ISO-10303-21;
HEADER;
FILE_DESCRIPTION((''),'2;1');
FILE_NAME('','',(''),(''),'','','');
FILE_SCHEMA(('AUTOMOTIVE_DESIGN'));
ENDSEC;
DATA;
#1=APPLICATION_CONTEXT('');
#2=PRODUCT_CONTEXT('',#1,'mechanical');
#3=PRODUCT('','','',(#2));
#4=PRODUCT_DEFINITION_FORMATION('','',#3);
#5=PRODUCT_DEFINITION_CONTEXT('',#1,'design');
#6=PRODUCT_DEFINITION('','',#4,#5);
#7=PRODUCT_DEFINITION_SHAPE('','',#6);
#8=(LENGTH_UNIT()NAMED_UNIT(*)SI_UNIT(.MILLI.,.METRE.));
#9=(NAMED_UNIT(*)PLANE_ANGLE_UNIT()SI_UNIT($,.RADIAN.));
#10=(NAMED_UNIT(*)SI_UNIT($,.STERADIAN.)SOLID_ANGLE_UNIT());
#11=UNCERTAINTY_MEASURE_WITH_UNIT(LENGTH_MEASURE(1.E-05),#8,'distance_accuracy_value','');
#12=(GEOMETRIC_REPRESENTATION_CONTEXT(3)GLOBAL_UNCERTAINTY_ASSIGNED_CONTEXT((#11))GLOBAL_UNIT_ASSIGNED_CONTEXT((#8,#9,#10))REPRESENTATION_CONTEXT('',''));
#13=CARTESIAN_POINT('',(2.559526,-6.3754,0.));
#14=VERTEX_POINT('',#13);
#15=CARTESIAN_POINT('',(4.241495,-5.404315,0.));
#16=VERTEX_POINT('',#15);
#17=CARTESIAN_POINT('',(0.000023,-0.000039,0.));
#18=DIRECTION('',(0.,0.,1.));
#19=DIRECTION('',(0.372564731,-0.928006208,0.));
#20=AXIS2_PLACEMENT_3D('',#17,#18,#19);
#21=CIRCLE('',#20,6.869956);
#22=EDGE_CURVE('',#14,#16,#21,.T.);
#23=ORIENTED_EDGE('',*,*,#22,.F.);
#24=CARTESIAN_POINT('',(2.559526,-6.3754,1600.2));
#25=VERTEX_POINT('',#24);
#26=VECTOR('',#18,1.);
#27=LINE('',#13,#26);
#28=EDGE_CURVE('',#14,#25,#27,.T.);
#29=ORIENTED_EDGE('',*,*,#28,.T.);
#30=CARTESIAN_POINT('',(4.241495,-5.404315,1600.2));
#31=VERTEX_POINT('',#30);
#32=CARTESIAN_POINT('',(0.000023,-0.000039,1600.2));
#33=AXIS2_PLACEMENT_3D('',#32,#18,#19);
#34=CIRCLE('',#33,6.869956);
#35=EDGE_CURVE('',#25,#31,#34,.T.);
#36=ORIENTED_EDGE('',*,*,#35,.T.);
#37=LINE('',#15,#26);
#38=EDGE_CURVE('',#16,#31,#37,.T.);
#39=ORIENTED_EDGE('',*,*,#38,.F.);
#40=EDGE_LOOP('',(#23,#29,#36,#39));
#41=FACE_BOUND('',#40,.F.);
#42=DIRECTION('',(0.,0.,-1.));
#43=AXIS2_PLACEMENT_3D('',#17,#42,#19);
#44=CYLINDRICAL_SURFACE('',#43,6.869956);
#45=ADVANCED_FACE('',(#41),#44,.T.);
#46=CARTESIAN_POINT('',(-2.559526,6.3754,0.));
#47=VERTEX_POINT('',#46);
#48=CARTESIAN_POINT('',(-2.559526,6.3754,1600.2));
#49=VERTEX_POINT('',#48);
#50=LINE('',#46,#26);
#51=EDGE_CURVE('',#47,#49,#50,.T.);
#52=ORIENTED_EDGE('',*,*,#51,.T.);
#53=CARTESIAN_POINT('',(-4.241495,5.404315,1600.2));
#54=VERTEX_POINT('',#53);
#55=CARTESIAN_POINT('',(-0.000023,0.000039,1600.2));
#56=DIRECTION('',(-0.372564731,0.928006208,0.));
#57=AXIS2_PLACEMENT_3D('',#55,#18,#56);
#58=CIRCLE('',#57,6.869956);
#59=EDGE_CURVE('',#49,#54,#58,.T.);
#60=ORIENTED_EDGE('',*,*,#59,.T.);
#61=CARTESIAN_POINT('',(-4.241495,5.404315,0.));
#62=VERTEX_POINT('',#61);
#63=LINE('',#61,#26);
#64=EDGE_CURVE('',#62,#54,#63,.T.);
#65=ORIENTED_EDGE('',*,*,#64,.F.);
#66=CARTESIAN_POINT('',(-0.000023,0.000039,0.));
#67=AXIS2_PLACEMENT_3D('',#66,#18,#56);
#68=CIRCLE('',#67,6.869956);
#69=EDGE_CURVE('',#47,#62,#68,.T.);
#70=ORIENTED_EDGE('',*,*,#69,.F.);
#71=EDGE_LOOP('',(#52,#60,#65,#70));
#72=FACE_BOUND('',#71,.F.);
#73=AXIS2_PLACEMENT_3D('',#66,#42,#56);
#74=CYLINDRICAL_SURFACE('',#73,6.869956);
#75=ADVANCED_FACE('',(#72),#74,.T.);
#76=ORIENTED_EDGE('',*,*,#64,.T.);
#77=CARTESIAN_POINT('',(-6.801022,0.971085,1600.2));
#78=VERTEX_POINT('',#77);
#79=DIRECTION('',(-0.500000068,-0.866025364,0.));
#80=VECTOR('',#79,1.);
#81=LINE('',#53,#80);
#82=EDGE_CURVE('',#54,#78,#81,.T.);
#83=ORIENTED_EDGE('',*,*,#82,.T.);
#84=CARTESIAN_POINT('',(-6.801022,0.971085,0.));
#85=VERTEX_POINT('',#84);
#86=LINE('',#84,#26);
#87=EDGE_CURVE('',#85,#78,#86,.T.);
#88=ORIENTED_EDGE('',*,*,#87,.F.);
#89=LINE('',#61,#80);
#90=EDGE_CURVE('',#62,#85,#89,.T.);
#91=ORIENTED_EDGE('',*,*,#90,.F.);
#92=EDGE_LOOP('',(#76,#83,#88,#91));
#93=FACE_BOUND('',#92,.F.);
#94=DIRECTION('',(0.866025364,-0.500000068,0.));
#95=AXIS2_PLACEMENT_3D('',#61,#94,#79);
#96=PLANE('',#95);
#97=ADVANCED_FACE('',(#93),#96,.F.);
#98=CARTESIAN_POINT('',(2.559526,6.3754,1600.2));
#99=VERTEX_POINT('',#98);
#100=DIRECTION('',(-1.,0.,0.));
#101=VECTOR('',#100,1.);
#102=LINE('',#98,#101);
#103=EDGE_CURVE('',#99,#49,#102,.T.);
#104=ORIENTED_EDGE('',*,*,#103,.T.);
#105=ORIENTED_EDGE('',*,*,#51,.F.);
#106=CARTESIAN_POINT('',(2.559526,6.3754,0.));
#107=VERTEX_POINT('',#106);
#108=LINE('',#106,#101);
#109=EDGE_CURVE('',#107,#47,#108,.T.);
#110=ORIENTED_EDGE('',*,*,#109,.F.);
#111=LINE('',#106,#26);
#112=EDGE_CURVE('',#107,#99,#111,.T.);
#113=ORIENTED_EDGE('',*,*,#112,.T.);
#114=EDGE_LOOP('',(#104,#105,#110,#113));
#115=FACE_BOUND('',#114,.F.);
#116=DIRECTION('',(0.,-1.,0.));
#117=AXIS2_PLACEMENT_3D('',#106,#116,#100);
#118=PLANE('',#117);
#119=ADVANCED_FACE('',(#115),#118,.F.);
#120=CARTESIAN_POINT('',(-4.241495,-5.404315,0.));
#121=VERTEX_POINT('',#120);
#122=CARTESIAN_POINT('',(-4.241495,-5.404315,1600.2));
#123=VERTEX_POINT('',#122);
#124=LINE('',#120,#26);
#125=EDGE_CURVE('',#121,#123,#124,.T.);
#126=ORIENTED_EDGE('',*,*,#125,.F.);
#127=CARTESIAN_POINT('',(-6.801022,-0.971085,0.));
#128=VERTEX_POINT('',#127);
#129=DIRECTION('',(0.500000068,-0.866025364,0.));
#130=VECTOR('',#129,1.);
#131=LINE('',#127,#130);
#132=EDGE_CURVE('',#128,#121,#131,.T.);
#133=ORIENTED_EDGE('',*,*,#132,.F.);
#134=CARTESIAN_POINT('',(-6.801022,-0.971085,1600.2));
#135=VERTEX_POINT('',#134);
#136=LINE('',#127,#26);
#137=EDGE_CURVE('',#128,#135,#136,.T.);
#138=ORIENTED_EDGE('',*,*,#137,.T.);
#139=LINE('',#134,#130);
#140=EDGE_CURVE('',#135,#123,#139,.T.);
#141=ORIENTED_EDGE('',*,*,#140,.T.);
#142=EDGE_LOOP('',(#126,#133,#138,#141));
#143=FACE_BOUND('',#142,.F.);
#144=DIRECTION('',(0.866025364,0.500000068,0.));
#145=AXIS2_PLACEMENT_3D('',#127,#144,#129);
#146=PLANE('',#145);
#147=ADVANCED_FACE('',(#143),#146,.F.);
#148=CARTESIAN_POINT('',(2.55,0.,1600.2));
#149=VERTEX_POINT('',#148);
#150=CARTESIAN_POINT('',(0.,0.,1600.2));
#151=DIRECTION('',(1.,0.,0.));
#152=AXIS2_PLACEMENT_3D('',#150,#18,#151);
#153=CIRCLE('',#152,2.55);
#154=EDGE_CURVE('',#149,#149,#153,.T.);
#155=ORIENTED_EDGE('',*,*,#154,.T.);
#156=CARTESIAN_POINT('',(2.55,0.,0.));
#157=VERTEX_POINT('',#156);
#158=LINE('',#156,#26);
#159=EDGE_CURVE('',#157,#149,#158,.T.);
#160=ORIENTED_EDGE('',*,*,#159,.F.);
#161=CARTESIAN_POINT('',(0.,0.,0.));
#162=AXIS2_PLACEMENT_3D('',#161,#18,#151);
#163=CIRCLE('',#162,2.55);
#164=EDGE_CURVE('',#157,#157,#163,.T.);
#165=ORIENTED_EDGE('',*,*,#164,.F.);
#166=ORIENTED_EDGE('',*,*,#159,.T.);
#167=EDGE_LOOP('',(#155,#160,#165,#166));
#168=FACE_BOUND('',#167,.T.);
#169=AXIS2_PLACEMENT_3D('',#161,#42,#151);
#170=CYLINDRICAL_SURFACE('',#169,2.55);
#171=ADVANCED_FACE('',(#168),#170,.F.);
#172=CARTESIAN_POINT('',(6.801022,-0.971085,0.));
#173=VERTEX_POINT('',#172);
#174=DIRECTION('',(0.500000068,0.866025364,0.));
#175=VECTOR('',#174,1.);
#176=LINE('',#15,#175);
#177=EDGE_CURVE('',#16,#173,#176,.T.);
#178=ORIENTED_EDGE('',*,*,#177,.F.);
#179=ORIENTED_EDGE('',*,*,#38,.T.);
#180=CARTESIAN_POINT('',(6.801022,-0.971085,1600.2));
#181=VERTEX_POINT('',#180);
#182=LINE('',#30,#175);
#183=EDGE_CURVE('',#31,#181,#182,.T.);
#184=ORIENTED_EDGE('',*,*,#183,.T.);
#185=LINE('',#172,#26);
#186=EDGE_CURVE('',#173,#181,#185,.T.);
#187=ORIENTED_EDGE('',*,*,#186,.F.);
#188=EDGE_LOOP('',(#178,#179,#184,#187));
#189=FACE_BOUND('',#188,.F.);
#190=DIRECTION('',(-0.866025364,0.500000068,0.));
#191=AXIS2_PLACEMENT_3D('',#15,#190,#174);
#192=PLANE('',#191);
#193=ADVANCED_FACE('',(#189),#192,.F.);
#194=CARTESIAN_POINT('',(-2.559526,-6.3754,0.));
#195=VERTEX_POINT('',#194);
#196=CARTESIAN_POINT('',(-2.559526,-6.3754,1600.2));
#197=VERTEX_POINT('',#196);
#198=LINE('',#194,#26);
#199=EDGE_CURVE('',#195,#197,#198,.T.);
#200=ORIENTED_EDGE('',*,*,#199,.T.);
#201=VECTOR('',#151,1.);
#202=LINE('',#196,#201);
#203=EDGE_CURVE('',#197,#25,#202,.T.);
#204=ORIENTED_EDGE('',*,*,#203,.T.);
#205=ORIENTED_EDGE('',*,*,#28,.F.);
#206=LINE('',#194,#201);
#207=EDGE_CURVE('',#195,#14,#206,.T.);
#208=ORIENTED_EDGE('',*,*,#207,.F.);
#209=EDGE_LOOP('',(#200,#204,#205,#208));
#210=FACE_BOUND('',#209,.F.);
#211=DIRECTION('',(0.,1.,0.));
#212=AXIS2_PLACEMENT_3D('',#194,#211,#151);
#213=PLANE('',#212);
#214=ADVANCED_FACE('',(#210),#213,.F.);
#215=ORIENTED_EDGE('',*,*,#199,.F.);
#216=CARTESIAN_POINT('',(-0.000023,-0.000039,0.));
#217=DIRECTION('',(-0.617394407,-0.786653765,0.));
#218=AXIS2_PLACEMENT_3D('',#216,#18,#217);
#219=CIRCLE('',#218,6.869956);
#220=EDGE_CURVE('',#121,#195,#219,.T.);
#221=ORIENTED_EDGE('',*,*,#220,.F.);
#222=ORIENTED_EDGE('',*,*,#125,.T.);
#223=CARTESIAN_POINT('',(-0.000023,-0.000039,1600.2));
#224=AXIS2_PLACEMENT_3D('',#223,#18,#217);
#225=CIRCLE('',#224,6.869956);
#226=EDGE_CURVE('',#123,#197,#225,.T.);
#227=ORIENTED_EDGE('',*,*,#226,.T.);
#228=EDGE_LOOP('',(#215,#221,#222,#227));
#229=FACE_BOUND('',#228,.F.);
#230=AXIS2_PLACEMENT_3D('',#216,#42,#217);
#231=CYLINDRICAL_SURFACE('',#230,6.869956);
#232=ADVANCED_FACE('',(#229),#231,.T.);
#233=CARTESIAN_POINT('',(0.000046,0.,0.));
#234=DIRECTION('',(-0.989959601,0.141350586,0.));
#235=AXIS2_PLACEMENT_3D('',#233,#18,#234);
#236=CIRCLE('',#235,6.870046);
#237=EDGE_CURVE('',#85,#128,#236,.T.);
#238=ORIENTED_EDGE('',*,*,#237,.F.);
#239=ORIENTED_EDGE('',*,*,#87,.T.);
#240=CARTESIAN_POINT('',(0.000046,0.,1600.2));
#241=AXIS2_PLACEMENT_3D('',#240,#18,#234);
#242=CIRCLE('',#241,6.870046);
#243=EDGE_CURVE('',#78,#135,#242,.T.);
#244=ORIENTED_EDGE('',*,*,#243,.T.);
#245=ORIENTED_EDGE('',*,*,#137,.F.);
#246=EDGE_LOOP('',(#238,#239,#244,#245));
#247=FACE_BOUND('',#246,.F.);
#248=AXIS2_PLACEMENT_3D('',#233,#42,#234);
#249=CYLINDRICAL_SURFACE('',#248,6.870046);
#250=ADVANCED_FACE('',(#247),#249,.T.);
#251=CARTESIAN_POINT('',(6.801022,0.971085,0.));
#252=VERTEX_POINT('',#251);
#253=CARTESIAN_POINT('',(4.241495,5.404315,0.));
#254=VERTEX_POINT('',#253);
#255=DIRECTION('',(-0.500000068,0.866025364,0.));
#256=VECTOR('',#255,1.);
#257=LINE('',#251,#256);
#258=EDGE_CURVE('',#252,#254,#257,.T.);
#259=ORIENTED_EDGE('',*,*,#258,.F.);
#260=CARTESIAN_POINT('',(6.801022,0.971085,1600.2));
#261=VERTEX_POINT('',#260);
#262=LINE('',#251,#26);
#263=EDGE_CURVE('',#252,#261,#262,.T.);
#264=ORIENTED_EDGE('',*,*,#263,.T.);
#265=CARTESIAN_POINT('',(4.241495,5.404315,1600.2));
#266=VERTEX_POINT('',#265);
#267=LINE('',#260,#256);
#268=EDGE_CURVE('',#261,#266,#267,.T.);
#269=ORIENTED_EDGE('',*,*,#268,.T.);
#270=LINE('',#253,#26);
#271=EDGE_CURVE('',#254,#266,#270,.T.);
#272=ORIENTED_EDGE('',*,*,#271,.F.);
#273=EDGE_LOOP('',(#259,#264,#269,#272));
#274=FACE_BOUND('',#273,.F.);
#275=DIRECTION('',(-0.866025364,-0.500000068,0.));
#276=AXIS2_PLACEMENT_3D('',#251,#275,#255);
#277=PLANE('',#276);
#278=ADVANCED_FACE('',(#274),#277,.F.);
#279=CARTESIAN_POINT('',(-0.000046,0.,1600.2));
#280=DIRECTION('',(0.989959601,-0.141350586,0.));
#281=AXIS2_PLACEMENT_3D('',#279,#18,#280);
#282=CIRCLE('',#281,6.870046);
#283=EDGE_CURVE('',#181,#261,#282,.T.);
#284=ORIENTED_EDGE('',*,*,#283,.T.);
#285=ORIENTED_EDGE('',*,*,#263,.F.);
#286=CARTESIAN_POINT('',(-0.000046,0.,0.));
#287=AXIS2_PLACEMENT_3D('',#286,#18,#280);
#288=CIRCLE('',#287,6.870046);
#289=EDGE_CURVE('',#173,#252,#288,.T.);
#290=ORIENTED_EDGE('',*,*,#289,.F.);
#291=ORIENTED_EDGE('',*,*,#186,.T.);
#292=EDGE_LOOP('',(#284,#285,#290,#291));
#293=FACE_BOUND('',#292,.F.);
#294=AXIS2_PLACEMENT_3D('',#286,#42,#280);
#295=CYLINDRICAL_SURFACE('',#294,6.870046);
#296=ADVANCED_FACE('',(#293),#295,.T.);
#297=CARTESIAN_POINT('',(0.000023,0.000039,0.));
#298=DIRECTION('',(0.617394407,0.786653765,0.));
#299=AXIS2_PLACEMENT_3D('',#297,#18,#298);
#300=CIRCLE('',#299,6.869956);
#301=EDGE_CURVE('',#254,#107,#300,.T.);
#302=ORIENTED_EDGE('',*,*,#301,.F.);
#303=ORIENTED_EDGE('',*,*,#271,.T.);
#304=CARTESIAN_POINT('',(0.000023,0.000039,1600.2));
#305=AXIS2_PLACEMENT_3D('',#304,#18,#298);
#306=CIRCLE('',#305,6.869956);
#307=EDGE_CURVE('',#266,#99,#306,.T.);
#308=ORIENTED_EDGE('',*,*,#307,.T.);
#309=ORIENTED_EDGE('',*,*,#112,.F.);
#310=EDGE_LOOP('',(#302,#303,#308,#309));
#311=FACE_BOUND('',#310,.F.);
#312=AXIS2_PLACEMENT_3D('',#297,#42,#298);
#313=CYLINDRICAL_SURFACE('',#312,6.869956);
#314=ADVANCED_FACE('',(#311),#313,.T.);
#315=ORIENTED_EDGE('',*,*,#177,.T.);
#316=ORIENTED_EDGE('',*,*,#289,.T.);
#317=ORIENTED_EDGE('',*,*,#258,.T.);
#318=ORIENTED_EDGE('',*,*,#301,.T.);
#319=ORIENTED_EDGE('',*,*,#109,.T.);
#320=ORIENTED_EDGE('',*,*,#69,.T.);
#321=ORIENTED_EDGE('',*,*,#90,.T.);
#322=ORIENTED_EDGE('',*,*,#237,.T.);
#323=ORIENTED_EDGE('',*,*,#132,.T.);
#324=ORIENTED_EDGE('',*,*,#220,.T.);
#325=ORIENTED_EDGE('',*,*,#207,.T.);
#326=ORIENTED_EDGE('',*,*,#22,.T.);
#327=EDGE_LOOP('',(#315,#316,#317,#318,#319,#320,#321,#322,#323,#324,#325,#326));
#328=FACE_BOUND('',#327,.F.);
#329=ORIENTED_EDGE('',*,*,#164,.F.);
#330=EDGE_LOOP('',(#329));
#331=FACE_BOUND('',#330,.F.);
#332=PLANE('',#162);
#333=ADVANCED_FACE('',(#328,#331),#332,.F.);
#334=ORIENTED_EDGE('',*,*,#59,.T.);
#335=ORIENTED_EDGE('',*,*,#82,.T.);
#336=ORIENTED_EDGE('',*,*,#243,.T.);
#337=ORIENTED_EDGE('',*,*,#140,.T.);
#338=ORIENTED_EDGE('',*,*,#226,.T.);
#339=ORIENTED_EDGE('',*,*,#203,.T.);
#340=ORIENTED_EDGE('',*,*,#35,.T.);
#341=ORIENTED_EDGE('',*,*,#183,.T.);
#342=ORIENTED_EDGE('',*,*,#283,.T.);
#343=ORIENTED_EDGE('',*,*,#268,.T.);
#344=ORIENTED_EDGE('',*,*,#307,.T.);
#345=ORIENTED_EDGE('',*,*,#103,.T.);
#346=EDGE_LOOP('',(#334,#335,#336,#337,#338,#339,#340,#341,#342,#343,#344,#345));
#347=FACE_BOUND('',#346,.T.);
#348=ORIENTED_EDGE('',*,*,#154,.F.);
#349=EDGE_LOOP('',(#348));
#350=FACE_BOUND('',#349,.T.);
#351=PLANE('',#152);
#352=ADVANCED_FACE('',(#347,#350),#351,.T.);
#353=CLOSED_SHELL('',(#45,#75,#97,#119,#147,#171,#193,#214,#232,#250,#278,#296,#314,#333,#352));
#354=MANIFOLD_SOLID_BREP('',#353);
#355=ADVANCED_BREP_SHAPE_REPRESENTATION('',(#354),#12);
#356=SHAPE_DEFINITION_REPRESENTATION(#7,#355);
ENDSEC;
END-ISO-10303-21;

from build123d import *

# Parameters (mm, degrees)
F0_R     = 2.55
F1_DEPTH = 1600.2


with BuildPart() as f1:
    # F0 (on Top) → F1 (new body)
    with BuildSketch(Plane.XY):
        with BuildLine():
            ThreePointArc((4.241495, 5.404315), (3.435, 5.949595), (2.559526, 6.3754))
            Line((2.559526, 6.3754), (-2.559526, 6.3754))
            ThreePointArc((-2.559526, 6.3754), (-3.435, 5.949595), (-4.241495, 5.404315))
            Line((-4.241495, 5.404315), (-6.801022, 0.971085))
            ThreePointArc((-6.801022, 0.971085), (-6.87, 0), (-6.801022, -0.971085))
            Line((-6.801022, -0.971085), (-4.241495, -5.404315))
            ThreePointArc((-4.241495, -5.404315), (-3.435, -5.949595), (-2.559526, -6.3754))
            Line((-2.559526, -6.3754), (2.559526, -6.3754))
            ThreePointArc((2.559526, -6.3754), (3.435, -5.949595), (4.241495, -5.404315))
            Line((4.241495, -5.404315), (6.801022, -0.971085))
            ThreePointArc((6.801022, -0.971085), (6.87, 0), (6.801022, 0.971085))
            Line((6.801022, 0.971085), (4.241495, 5.404315))
        make_face()
        Circle(F0_R, mode=Mode.SUBTRACT)
    extrude(amount=F1_DEPTH)


solid = f1.part
